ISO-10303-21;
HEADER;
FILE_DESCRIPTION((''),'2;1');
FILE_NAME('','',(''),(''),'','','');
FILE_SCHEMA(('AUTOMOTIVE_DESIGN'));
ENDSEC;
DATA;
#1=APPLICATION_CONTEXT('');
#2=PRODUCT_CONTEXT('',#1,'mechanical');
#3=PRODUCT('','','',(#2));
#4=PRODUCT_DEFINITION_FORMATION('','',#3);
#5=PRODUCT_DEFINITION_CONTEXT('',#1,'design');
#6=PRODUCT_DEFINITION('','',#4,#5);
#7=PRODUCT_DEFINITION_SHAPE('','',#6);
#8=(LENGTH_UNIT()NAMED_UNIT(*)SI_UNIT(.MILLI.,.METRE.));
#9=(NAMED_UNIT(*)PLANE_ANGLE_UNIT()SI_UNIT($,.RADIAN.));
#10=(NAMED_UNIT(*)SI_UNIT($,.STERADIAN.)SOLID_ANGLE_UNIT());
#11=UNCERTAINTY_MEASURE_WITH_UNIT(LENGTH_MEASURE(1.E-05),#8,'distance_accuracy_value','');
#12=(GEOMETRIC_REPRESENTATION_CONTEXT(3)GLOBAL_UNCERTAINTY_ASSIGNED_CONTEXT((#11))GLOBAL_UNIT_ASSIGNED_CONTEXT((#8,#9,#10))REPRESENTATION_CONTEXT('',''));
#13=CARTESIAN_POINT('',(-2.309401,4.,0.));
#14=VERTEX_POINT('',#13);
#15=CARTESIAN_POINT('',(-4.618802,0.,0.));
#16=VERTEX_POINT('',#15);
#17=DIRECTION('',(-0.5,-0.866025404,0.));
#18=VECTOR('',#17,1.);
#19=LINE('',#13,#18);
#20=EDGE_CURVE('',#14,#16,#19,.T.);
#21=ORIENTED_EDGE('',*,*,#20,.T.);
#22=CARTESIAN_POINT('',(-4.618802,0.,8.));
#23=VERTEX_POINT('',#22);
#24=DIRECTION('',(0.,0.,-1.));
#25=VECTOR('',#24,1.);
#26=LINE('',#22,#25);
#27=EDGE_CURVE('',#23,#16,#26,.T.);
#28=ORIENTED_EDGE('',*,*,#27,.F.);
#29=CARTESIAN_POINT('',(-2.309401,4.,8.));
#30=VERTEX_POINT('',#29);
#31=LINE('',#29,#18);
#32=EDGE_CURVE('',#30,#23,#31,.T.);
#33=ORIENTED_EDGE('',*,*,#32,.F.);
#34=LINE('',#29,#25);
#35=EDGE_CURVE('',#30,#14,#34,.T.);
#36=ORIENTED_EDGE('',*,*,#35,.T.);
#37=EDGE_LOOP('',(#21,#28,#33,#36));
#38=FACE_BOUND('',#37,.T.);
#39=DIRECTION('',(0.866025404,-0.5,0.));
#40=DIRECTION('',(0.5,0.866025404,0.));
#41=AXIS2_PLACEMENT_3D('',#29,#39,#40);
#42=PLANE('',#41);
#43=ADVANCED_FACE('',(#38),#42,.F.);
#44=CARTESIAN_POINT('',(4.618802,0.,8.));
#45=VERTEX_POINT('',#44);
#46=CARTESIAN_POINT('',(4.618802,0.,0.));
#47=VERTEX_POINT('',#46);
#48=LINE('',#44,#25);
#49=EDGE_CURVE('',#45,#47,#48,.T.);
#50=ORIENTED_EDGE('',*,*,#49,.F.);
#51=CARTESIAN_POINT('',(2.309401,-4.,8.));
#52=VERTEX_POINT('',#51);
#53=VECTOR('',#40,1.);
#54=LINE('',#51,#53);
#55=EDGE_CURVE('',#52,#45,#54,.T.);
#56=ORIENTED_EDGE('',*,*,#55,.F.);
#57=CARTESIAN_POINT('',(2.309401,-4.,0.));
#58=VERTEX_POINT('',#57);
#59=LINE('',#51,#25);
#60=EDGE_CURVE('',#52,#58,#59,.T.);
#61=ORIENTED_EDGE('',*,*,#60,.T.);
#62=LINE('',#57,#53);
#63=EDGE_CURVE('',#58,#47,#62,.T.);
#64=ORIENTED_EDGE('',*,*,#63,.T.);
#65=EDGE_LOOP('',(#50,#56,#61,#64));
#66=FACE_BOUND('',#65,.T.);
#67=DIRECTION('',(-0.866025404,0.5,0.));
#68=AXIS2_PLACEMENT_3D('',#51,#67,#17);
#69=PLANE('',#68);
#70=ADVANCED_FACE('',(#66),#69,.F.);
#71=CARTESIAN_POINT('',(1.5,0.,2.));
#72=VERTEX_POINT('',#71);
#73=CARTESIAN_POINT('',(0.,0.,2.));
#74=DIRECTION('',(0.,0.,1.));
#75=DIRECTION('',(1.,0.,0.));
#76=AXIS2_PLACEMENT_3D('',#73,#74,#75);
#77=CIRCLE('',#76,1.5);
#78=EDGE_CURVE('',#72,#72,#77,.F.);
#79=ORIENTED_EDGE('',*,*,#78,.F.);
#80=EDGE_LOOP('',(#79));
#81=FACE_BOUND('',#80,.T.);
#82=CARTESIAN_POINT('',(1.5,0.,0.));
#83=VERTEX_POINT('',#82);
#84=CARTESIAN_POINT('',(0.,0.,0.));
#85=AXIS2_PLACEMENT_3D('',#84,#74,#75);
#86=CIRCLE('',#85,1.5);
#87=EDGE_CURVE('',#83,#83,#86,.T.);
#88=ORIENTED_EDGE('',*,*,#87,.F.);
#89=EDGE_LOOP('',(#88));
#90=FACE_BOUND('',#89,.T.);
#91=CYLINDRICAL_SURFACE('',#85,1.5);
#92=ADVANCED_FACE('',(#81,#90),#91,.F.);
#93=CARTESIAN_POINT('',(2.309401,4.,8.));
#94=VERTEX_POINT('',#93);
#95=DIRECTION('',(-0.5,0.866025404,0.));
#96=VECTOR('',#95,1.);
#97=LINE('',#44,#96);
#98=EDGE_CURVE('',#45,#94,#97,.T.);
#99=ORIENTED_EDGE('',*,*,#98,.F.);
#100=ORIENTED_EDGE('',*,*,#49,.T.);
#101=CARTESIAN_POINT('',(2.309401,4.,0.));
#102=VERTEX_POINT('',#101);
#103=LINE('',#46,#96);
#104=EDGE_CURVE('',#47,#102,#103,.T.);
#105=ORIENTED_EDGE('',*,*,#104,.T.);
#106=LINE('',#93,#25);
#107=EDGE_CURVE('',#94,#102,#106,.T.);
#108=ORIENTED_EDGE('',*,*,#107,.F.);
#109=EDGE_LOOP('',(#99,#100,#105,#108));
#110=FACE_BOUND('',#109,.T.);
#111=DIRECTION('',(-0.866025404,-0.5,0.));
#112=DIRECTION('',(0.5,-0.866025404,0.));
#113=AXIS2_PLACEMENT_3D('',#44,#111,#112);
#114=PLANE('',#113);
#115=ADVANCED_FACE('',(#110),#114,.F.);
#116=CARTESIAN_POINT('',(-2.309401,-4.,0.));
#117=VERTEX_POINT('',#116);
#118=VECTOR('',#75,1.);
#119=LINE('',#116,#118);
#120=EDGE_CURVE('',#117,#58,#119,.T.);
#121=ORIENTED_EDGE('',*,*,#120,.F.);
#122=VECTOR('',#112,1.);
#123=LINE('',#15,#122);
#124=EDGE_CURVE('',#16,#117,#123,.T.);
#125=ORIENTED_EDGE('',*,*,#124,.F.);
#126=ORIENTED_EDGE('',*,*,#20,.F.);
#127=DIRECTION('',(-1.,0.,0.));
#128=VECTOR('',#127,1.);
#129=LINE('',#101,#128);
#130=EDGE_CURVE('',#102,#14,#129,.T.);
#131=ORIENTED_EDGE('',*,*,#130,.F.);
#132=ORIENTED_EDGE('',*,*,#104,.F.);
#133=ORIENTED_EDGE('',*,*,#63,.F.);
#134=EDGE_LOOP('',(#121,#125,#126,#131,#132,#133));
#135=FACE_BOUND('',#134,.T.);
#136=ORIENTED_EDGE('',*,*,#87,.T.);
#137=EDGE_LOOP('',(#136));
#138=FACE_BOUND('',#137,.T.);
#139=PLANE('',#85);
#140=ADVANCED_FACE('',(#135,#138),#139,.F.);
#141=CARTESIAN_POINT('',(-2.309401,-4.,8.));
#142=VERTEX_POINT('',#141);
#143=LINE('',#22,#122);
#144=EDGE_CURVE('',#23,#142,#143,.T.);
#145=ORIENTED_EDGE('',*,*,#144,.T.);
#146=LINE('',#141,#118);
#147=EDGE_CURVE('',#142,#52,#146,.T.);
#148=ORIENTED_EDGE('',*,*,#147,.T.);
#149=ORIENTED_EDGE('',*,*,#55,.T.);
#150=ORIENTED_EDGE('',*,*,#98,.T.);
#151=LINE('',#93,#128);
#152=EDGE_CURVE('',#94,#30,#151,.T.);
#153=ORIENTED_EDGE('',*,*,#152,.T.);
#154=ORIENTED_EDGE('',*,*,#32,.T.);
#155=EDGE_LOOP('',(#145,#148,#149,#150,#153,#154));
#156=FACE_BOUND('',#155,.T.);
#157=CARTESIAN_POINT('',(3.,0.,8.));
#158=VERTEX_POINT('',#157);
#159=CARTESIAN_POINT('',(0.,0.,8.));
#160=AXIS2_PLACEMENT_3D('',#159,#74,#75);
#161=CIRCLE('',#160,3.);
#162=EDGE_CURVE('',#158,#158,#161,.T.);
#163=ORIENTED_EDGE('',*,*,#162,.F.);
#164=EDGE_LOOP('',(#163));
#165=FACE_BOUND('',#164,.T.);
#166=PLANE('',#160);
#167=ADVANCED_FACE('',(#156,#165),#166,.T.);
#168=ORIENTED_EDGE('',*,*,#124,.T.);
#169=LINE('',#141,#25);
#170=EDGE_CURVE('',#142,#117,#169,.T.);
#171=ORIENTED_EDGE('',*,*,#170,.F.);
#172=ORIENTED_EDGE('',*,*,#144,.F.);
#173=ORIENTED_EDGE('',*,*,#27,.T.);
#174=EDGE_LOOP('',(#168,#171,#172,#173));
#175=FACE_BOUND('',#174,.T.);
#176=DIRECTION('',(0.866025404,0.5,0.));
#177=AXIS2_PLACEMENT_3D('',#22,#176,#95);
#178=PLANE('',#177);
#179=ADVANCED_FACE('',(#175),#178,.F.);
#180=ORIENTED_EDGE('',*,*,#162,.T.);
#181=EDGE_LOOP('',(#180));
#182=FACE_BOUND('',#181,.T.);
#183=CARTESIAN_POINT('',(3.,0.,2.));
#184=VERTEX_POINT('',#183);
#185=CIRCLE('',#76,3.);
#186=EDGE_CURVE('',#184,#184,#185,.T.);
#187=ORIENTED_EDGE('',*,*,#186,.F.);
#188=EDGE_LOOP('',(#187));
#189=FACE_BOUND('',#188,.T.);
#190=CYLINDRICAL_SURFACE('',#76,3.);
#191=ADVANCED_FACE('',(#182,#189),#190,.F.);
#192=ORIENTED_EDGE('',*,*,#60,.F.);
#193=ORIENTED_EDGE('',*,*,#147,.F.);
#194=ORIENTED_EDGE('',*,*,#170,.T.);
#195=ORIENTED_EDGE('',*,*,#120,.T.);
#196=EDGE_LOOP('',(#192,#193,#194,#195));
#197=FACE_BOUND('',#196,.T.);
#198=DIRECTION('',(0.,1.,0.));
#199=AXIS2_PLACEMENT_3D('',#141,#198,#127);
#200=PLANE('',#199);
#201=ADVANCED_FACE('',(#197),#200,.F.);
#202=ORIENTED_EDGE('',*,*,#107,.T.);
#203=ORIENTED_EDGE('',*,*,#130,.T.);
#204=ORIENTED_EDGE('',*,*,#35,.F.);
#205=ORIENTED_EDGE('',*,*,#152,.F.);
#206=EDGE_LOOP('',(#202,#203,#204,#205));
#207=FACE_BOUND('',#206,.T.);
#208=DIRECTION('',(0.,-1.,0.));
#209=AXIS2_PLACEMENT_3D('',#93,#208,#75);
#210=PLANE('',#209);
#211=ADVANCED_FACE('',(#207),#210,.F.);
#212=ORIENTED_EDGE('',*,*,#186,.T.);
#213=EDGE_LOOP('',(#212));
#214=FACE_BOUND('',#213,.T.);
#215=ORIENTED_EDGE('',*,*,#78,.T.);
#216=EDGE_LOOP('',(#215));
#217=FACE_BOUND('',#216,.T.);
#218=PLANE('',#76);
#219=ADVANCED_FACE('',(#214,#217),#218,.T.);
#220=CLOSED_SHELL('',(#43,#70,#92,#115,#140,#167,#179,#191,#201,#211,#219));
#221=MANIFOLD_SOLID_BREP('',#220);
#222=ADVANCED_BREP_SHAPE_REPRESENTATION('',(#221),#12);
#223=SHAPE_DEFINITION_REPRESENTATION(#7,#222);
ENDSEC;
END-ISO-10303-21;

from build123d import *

# Parameters (mm, degrees)
BOSS_EXTRUDE1_DEPTH = 8
SKETCH2_R           = 1.5
CUT_EXTRUDE1_DEPTH  = 11.066445914
SKETCH3_R           = 3
CUT_EXTRUDE2_DEPTH  = 6


with BuildPart() as part:
    # Sketch1 → Boss-Extrude1 (new body)
    with BuildSketch(Plane.XY):
        Polygon((-2.309401077, 4), (-4.618802154, 0), (-2.309401077, -4), (2.309401077, -4), (4.618802154, 0), (2.309401077, 4), align=None)
    extrude(amount=BOSS_EXTRUDE1_DEPTH)

    # Sketch2 → Cut-Extrude1 (cut, through all)
    with BuildSketch(Plane.XY.offset(8)):
        Circle(SKETCH2_R)
    extrude(amount=-CUT_EXTRUDE1_DEPTH, mode=Mode.SUBTRACT)

    # Sketch3 → Cut-Extrude2 (cut)
    with BuildSketch(Plane.XY.offset(8)):
        Circle(SKETCH3_R)
    extrude(amount=-CUT_EXTRUDE2_DEPTH, mode=Mode.SUBTRACT)


solid = part.part
